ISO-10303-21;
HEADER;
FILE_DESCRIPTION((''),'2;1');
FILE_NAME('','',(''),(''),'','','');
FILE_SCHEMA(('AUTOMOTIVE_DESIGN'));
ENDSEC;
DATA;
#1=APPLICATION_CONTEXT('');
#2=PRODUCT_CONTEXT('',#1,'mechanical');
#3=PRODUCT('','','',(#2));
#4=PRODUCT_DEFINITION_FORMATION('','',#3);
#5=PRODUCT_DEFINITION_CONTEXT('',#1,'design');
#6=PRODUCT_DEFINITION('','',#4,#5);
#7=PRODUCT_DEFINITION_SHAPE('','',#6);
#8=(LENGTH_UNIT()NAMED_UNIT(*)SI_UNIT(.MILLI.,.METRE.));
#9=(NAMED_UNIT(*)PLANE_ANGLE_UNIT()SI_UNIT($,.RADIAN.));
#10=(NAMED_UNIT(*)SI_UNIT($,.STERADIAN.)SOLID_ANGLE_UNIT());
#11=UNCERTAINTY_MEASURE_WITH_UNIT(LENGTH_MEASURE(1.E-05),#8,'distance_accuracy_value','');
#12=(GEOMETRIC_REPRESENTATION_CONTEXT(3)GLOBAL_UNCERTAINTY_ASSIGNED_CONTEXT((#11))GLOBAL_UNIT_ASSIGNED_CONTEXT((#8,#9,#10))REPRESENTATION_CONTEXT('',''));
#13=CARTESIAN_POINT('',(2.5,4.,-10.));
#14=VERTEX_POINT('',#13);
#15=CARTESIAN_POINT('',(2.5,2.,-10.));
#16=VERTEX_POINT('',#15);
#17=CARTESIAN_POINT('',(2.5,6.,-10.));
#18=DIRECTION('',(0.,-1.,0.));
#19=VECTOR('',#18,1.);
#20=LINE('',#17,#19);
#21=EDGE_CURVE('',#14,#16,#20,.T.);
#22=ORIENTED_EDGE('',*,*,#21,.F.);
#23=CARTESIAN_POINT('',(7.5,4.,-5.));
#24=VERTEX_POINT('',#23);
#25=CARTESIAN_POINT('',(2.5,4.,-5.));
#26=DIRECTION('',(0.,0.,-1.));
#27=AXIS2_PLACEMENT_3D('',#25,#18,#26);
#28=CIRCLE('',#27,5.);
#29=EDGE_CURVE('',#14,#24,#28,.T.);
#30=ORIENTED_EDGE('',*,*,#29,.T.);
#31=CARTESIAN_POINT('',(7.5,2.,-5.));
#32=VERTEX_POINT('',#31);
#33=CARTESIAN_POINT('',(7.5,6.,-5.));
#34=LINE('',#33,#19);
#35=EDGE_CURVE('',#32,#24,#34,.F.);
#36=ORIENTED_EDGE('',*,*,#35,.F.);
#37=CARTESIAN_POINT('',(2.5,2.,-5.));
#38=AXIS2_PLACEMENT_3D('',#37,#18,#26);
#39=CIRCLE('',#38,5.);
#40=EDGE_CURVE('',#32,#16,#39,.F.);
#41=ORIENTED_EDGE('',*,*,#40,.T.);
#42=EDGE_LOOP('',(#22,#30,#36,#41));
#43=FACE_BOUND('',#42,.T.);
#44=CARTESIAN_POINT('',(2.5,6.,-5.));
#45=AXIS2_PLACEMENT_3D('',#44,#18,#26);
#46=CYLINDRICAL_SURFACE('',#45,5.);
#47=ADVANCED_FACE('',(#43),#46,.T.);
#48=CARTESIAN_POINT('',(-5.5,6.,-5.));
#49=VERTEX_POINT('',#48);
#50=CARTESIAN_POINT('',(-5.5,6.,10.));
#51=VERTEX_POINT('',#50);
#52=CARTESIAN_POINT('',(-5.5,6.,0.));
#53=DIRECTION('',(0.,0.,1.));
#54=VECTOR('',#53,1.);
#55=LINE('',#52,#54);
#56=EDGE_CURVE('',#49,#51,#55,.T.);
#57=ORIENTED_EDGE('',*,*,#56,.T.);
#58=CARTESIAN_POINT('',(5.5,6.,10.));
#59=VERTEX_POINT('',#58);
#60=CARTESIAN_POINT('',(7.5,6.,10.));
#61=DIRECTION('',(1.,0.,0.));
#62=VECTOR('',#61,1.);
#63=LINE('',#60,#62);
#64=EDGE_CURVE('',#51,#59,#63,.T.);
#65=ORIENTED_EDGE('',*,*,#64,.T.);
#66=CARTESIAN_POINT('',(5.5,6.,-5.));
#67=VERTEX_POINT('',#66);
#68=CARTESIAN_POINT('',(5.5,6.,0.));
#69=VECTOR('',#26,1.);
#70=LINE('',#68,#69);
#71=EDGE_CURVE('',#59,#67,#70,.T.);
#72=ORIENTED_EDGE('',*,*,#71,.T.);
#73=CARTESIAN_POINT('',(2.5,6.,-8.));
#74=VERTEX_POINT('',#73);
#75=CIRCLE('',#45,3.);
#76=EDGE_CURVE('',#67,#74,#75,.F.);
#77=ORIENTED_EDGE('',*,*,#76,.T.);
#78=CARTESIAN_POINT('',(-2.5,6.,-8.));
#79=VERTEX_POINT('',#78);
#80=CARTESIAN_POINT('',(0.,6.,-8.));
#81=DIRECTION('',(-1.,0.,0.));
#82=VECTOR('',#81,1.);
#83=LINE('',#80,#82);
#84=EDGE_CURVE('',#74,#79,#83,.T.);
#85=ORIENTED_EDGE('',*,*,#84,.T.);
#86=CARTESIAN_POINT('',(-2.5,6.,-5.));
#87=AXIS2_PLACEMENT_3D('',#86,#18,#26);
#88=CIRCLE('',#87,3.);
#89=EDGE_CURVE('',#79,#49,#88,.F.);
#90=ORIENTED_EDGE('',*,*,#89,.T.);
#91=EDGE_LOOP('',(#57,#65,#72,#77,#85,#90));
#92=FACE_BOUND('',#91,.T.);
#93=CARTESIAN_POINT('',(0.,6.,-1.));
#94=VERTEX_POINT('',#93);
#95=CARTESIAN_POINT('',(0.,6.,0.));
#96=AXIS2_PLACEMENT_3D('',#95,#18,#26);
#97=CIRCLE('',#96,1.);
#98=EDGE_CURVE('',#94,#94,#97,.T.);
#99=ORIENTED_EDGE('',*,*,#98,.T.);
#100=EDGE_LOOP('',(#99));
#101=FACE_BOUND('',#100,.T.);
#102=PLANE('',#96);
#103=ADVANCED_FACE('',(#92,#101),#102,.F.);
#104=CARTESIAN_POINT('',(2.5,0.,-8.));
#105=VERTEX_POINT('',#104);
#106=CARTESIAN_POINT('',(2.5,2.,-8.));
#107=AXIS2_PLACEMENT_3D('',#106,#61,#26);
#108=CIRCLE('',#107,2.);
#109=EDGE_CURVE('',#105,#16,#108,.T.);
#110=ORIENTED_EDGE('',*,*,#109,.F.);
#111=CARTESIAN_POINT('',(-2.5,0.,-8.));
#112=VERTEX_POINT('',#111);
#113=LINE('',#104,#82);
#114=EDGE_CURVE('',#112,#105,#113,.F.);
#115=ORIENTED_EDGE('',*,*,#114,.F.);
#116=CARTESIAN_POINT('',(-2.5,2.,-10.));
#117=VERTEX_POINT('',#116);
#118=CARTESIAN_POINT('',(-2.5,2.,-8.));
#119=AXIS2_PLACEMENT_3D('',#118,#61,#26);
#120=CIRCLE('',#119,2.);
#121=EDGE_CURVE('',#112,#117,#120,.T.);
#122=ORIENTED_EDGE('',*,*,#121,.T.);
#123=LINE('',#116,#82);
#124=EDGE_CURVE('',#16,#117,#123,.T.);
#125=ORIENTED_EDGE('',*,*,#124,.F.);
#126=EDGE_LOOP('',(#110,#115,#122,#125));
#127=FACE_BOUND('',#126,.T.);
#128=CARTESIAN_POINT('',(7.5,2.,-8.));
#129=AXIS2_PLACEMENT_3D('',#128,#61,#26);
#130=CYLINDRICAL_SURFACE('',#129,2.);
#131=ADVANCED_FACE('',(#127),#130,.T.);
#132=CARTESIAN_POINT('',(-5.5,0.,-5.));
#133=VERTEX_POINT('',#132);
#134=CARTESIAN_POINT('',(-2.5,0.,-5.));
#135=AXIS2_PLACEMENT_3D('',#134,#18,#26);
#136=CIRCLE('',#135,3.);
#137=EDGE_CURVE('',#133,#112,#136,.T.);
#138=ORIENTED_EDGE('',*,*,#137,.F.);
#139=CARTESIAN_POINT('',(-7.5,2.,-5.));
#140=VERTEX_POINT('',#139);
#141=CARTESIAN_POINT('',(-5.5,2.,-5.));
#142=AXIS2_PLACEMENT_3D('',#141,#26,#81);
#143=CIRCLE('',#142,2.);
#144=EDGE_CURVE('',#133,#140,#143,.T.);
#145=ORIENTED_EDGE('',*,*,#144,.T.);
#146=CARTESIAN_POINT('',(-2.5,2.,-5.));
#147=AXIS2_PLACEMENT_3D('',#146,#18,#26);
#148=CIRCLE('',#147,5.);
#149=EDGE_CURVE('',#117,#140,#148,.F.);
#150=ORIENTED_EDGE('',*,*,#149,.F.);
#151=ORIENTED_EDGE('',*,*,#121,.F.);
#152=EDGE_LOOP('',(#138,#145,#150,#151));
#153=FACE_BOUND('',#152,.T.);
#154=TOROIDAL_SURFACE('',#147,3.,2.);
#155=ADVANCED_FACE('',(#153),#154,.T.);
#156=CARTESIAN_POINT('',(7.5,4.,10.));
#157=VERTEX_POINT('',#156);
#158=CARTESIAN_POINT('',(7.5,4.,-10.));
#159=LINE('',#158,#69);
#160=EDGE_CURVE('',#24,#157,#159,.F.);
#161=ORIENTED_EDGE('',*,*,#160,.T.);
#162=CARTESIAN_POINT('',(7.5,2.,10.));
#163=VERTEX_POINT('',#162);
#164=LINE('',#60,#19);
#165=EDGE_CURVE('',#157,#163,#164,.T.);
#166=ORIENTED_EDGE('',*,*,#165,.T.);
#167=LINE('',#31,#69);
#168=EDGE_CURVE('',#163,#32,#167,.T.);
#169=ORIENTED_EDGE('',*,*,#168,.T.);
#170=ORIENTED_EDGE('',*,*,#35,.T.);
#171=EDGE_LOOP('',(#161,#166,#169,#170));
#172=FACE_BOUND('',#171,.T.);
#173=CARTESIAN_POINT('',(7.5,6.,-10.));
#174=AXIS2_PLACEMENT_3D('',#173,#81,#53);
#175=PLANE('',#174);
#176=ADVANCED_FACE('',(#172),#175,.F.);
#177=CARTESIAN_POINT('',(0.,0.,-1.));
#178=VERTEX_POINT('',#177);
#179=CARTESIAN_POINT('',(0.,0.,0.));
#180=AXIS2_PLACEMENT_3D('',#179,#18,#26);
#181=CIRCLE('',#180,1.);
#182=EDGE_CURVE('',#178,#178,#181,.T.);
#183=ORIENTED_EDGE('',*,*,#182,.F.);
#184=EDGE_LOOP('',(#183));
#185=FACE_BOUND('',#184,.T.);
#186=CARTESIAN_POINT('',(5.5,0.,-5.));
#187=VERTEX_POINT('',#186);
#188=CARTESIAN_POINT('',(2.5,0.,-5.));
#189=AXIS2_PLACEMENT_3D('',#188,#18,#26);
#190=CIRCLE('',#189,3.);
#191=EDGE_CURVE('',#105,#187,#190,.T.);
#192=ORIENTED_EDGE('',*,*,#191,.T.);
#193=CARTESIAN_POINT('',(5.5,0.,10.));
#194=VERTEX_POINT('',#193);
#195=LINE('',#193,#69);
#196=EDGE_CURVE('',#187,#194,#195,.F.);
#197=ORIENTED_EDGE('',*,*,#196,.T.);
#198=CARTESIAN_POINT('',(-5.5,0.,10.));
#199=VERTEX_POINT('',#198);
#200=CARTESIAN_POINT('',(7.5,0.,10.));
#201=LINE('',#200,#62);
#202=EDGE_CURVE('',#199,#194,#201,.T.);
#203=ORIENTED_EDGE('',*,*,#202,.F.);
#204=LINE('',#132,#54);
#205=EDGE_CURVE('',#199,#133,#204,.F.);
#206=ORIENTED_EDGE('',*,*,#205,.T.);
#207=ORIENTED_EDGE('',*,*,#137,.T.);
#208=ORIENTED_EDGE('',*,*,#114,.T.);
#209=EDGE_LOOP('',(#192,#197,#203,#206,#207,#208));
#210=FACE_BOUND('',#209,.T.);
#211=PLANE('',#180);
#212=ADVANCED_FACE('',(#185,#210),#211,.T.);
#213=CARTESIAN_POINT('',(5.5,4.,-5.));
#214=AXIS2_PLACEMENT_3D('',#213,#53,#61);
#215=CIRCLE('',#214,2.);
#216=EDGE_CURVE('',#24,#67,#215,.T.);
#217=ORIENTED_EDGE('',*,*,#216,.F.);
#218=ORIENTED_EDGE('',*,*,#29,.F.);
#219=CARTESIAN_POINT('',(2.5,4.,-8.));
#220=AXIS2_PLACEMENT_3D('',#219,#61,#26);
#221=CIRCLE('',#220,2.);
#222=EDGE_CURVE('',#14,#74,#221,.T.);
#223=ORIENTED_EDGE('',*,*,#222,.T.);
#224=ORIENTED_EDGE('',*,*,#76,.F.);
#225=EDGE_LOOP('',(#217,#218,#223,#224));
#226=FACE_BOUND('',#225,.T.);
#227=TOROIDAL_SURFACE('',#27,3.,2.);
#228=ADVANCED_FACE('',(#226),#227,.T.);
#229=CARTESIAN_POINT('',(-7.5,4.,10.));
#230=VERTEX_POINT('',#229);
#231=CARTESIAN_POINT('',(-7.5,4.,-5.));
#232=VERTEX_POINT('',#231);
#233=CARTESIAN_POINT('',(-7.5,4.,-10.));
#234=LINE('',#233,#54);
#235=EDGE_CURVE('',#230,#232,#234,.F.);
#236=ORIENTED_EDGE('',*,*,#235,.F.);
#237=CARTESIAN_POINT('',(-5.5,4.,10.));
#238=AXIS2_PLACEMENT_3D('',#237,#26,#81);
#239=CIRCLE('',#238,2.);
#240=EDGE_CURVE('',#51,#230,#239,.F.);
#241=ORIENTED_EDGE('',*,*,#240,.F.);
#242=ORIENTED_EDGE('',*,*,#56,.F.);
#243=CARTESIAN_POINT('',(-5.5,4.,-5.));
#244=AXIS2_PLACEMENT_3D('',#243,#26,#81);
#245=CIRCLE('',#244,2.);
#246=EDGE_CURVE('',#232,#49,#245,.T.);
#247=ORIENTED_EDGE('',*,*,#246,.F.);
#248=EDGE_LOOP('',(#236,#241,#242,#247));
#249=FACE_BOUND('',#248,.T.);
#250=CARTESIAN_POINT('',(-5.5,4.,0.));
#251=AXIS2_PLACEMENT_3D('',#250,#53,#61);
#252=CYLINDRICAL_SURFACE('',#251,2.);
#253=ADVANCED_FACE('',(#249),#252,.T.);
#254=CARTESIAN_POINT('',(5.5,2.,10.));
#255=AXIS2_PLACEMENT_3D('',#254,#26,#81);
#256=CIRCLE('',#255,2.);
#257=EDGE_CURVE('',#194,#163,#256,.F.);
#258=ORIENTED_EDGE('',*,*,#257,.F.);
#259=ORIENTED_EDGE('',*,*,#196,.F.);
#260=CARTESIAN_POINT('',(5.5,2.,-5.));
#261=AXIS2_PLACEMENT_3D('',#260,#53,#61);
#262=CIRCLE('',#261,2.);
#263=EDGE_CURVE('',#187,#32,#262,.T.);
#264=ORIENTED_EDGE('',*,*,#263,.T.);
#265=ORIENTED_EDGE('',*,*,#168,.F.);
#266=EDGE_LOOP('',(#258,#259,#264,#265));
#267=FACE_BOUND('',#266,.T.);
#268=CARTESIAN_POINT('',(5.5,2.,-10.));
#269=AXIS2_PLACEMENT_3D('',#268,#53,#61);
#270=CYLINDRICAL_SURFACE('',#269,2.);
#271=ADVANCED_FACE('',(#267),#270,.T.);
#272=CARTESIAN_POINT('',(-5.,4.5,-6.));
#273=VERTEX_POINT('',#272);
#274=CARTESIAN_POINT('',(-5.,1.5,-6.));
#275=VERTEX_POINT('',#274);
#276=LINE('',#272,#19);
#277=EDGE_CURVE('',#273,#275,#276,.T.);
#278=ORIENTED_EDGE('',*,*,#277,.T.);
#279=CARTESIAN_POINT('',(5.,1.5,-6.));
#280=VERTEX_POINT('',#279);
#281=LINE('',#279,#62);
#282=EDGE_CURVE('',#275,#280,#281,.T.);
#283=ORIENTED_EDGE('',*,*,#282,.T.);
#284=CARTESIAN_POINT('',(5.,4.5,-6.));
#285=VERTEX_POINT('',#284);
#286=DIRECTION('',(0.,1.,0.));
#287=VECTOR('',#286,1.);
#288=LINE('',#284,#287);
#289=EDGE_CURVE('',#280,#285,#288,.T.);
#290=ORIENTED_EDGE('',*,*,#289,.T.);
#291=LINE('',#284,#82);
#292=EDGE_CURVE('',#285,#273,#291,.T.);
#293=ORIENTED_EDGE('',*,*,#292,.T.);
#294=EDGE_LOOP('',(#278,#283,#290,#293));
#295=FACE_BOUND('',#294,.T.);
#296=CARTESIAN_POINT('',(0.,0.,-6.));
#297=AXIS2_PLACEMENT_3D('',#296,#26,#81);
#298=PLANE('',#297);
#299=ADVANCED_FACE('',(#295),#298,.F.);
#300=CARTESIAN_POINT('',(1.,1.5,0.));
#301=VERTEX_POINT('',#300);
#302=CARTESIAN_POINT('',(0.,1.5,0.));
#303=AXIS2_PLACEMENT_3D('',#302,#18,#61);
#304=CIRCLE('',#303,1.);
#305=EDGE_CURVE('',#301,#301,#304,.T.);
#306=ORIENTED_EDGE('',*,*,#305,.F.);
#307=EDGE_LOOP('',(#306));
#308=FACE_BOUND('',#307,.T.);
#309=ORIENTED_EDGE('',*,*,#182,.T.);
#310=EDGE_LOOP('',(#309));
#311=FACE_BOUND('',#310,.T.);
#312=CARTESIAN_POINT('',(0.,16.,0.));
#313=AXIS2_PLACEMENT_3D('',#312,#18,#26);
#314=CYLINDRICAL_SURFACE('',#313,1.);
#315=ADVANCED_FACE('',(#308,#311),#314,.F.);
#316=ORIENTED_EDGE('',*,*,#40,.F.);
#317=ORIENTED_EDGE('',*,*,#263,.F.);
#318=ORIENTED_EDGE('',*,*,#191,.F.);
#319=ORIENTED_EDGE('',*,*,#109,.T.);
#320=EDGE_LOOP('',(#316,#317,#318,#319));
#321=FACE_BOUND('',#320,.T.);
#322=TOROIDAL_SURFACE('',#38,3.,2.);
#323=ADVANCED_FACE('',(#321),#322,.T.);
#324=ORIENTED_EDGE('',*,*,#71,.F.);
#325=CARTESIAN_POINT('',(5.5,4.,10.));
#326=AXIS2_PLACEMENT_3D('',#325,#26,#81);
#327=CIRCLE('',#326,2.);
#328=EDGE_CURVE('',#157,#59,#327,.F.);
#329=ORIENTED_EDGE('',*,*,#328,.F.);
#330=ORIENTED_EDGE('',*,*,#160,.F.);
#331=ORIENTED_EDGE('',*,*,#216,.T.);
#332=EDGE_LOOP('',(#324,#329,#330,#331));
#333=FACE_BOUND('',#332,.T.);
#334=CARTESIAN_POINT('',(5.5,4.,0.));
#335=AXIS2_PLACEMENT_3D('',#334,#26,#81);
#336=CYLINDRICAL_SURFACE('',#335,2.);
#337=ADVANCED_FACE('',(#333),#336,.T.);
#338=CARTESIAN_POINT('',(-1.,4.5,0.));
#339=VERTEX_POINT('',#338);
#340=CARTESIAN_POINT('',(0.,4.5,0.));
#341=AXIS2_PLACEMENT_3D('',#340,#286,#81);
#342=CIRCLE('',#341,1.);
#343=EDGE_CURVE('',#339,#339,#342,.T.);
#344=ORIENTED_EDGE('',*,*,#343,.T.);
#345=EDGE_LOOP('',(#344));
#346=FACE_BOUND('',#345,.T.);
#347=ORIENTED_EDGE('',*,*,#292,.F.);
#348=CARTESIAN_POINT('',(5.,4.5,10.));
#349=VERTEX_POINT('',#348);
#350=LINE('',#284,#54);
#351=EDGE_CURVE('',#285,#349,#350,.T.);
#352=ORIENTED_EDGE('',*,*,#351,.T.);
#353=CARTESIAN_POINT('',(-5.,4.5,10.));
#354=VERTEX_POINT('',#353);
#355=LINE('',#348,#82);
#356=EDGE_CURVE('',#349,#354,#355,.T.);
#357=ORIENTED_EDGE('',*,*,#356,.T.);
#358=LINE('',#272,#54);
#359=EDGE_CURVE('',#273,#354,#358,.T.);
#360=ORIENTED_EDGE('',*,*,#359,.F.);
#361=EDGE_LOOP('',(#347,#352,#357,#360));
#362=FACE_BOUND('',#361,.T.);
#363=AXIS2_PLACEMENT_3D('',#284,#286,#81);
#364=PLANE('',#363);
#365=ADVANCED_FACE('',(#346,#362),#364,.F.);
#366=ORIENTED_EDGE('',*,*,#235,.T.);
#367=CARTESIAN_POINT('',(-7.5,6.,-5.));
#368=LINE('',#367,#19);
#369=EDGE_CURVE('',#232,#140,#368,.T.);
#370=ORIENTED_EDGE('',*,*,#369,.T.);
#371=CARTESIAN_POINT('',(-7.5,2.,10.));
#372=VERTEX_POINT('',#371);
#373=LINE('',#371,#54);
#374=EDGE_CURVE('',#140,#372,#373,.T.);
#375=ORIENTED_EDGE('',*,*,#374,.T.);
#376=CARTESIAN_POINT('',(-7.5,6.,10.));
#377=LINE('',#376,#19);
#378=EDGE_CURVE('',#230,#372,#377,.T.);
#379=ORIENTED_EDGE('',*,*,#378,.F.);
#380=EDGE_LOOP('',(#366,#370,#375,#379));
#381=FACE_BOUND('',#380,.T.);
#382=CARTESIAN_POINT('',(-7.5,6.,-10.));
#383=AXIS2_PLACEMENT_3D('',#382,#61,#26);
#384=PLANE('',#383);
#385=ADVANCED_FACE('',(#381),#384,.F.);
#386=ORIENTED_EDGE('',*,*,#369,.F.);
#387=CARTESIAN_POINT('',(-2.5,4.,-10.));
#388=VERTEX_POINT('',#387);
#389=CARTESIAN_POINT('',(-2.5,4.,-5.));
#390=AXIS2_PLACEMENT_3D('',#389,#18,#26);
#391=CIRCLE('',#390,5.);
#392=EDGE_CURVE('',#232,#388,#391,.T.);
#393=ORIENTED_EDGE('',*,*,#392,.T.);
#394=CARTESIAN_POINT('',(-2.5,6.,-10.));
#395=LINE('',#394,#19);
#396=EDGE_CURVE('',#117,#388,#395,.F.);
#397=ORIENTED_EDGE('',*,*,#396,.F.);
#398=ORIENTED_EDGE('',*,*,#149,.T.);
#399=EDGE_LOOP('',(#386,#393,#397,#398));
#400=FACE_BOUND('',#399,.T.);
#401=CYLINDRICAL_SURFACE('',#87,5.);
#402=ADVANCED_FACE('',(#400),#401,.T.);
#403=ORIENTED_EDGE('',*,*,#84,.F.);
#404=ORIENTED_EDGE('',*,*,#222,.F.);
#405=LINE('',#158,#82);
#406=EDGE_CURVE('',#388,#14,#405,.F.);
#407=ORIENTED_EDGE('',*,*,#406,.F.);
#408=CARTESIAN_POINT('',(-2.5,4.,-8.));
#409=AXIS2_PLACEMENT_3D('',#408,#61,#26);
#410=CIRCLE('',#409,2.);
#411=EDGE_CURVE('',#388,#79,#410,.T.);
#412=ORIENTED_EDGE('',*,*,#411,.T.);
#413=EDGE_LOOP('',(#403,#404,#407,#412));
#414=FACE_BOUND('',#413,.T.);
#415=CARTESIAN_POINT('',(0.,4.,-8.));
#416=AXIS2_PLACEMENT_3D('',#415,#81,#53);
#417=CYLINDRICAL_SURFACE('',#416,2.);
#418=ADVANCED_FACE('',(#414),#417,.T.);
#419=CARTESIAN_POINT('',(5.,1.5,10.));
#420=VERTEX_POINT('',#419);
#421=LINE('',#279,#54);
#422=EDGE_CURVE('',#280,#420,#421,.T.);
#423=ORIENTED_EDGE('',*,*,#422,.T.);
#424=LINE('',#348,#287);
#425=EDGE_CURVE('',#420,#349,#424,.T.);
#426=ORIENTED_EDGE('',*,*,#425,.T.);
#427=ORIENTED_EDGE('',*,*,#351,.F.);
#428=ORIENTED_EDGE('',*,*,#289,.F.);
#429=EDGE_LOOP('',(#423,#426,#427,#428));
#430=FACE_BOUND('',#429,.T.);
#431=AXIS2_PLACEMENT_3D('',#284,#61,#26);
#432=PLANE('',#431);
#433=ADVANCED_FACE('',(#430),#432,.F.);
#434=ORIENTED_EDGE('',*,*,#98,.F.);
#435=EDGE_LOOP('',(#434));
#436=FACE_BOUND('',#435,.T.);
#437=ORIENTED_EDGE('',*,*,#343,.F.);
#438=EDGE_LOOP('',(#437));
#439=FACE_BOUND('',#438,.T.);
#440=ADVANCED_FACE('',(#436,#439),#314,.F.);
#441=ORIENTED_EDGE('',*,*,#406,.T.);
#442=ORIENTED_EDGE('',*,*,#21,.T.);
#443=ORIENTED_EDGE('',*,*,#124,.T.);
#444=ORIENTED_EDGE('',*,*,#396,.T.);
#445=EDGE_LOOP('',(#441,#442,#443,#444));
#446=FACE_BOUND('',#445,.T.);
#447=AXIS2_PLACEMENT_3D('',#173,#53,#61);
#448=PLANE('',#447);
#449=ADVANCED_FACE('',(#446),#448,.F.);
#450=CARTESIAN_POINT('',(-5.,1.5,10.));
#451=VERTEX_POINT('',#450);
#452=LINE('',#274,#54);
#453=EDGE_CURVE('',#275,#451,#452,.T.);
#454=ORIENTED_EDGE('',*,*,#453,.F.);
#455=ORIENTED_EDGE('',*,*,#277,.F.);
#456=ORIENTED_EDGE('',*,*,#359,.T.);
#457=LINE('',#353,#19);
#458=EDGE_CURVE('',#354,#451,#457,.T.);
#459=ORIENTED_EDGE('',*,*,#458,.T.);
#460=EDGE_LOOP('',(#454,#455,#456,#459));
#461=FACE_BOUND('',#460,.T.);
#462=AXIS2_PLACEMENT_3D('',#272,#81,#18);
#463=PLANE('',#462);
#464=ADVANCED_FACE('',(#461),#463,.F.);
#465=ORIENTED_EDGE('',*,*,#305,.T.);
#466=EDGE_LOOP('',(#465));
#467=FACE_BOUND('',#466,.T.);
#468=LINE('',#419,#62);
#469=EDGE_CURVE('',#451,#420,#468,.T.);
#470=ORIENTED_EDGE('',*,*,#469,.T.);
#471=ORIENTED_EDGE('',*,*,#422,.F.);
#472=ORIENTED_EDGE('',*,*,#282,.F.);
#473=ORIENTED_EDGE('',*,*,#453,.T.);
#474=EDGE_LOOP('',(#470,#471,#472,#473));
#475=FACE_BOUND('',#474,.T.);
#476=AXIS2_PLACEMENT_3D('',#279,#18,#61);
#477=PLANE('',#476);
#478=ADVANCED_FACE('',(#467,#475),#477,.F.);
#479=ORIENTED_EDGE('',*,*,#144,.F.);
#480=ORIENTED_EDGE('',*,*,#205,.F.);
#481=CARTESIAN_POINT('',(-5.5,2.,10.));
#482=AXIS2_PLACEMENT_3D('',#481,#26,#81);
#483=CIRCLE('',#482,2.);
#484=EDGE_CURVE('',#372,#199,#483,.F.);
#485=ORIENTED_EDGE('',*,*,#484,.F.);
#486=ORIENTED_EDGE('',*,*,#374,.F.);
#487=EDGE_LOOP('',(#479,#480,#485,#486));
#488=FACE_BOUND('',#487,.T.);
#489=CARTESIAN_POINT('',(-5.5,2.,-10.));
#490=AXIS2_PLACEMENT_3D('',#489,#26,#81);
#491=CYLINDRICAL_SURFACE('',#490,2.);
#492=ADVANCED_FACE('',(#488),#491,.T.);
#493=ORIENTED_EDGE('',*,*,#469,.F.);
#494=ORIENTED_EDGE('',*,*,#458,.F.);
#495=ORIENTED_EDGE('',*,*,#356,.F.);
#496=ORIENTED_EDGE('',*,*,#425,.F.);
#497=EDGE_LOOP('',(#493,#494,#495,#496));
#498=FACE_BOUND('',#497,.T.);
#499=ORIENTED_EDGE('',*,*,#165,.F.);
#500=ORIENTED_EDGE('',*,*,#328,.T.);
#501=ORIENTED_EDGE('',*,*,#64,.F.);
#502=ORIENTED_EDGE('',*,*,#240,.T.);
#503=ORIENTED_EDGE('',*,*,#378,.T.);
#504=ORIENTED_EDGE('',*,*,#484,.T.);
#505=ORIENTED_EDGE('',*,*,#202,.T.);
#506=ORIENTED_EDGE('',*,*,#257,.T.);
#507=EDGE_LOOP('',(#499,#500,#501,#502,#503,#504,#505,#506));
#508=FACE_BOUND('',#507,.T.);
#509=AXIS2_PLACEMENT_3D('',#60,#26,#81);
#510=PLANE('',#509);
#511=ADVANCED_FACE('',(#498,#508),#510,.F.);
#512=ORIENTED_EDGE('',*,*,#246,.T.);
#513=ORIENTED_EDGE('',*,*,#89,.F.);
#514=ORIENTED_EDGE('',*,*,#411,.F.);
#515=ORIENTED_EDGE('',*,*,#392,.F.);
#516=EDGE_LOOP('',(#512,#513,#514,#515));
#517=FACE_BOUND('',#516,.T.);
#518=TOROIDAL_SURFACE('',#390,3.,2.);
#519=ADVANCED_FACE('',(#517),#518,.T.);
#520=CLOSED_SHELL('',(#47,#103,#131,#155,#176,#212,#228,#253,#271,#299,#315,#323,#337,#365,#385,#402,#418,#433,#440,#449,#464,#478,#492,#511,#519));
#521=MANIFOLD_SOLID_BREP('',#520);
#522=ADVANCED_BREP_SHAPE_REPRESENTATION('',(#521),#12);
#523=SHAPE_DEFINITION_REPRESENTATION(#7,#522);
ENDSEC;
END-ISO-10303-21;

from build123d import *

# Parameters (mm, degrees)
SKETCH1_W           = 15
SKETCH1_H           = 20
BOSS_EXTRUDE1_DEPTH = 6
SKETCH2_W           = 10
SKETCH2_H           = 3
CUT_EXTRUDE1_DEPTH  = 16
FILLET1_R           = 5
FILLET2_R           = 5
FILLET3_R           = 2
SKETCH3_R           = 1
CUT_EXTRUDE2_DEPTH  = 16


with BuildPart() as part:
    # Sketch1 → Boss-Extrude1 (new body)
    with BuildSketch(Plane(origin=(0, 0, 0), x_dir=(1, 0, 0), z_dir=(0, 1, 0))):
        Rectangle(SKETCH1_W, SKETCH1_H)
    extrude(amount=BOSS_EXTRUDE1_DEPTH)

    # Sketch2 → Cut-Extrude1 (cut)
    with BuildSketch(Plane.XY.offset(10)):
        with Locations((0, 3)):
            Rectangle(SKETCH2_W, SKETCH2_H)
    extrude(amount=-CUT_EXTRUDE1_DEPTH, mode=Mode.SUBTRACT)

    # Fillet1
    fillet1_edges = [part.edges().sort_by_distance(p)[0] for p in [
        (7.5, 3, -10),
    ]]
    fillet(fillet1_edges, radius=FILLET1_R)

    # Fillet2
    fillet2_edges = [part.edges().sort_by_distance(p)[0] for p in [
        (-7.5, 3, -10),
    ]]
    fillet(fillet2_edges, radius=FILLET2_R)

    # Fillet3
    fillet3_edges = [part.edges().sort_by_distance(p)[0] for p in [
        (7.5, 6, 2.5),
        (0, 0, -10),
        (0, 6, -10),
        (6.035533906, 0, -8.535533906),
        (6.035533906, 6, -8.535533906),
        (-7.5, 0, 2.5),
        (-7.5, 6, 2.5),
        (-6.035533906, 0, -8.535533906),
        (-6.035533906, 6, -8.535533906),
        (7.5, 0, 2.5),
    ]]
    fillet(fillet3_edges, radius=FILLET3_R)

    # Sketch3 → Cut-Extrude2 (cut)
    with BuildSketch(Plane.XZ):
        with Locations(Location((0, 0, 0), (0, 0, 270))):
            Circle(SKETCH3_R)
    extrude(amount=-CUT_EXTRUDE2_DEPTH, mode=Mode.SUBTRACT)


solid = part.part
